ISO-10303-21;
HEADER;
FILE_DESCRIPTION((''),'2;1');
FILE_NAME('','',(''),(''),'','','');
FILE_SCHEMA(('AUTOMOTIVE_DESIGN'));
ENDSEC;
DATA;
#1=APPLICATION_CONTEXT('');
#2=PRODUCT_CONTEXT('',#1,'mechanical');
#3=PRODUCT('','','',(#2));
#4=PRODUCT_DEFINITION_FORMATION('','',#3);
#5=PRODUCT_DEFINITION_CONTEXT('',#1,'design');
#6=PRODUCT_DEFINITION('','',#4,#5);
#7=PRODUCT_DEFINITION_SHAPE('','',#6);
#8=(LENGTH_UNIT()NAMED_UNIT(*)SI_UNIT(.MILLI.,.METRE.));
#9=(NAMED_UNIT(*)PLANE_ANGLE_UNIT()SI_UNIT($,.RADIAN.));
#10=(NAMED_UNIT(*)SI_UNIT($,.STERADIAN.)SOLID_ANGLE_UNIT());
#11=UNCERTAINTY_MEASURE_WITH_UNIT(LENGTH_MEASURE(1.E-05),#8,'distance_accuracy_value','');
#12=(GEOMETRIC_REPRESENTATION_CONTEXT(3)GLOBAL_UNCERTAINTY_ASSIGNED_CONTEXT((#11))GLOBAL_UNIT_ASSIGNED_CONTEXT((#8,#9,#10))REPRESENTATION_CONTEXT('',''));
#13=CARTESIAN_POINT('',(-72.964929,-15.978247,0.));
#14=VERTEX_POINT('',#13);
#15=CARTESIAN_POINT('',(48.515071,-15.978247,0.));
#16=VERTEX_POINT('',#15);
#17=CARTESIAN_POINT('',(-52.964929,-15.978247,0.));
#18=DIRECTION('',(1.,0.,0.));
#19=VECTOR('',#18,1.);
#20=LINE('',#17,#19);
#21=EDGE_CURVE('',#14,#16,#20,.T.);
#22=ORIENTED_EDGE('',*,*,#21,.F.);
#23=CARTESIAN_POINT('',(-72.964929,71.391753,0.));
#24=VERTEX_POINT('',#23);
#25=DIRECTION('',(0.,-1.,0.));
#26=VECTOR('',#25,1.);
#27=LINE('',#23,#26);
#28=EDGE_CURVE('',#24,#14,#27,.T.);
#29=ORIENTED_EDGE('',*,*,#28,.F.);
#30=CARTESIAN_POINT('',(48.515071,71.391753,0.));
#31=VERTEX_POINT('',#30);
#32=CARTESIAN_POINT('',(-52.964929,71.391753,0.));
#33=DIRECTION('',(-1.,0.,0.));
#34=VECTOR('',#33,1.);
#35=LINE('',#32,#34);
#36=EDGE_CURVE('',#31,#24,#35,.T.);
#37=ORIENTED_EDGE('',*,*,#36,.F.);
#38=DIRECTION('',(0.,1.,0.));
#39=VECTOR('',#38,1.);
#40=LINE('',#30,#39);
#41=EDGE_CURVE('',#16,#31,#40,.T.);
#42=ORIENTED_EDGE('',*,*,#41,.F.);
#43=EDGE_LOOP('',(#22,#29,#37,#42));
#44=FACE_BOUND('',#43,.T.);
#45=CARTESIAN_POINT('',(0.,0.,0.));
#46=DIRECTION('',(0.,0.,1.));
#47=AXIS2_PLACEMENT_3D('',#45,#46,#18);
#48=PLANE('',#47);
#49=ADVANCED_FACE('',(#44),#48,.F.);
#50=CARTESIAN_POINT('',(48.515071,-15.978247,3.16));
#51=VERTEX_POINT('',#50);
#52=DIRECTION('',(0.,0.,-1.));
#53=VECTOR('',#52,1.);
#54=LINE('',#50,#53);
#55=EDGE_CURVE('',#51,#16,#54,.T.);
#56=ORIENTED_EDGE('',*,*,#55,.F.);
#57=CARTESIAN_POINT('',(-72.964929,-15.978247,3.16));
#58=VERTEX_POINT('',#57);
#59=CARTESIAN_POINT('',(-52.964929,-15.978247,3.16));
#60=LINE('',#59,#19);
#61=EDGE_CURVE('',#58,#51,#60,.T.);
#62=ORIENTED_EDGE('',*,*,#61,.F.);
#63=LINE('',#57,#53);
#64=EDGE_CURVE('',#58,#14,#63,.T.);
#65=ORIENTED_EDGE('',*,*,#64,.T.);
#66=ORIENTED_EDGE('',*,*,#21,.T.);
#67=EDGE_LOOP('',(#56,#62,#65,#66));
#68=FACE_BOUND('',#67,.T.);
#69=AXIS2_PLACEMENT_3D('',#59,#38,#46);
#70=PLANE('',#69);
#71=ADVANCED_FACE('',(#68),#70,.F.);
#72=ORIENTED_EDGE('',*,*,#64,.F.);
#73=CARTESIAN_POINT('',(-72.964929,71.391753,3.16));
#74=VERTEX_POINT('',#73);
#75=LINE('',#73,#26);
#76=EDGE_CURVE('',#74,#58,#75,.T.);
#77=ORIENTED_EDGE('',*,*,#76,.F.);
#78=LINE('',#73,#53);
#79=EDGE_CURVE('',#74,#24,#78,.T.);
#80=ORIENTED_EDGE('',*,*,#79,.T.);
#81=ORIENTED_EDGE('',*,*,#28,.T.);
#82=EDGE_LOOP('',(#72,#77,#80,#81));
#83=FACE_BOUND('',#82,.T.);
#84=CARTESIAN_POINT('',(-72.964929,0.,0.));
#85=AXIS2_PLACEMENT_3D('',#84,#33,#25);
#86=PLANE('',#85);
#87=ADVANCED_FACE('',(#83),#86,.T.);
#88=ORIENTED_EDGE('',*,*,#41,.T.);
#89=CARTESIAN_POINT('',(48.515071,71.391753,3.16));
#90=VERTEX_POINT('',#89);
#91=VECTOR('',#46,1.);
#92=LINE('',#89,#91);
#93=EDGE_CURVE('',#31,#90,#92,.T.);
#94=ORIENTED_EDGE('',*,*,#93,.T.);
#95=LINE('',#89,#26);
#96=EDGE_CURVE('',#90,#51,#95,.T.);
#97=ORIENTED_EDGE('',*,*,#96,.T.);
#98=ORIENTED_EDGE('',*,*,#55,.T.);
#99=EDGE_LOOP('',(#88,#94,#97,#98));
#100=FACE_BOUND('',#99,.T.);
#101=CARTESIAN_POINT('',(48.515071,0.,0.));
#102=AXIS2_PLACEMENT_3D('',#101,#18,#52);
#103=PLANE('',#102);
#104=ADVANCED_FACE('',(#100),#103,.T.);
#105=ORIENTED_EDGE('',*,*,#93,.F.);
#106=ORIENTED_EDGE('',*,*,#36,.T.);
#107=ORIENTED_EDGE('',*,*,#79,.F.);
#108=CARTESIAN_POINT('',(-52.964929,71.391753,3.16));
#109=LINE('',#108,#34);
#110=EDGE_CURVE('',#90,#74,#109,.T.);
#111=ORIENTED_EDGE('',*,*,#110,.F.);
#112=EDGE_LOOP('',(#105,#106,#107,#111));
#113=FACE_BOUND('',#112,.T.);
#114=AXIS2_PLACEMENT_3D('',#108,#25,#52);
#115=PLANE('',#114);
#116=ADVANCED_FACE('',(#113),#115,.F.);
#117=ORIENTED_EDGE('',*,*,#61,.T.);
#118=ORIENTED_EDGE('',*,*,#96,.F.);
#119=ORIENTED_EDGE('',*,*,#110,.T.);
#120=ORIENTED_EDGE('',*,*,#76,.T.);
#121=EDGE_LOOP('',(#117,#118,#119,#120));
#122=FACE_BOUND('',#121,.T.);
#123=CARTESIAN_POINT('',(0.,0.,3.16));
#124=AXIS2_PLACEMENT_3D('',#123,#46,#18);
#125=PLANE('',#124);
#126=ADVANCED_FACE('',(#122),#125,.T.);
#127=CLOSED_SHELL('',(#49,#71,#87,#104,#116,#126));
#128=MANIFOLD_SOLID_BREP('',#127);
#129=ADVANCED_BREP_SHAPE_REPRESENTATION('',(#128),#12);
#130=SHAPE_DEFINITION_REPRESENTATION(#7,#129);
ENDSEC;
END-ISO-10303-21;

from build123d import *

# Parameters (mm, degrees)
SKETCH2_W           = 77.34
SKETCH2_H           = 87.37
BOSS_EXTRUDE1_DEPTH = 3.16
SKETCH_3_W          = 3.16
SKETCH_3_H          = 87.37
EXTRUDE_3_DEPTH     = 80
SKETCH_4_W          = 3.16
SKETCH_4_H          = 87.37
EXTRUDE_4_DEPTH     = 60
SKETCH_5_W          = 3.16
SKETCH_5_H          = 87.37
EXTRUDE_5_DEPTH     = 113
SKETCH_6_W          = 3.16
SKETCH_6_H          = 87.37
CUT_EXTRUDE_1_DEPTH = 17.86
SKETCH_8_R          = 12.75
CUT_EXTRUDE_2_DEPTH = 10
SKETCH_9_W          = 3.16
SKETCH_9_H          = 87.37
CUT_EXTRUDE_3_DEPTH = 171
SKETCH_10_W         = 3.16
SKETCH_10_H         = 87.37
CUT_EXTRUDE_4_DEPTH = 60
SKETCH_1_W          = 3.16
SKETCH_1_H          = 87.37
EXTRUDE_6_DEPTH     = 20
SKETCH_11_W         = 3.16
SKETCH_11_H         = 87.37
EXTRUDE_7_DEPTH     = 20


with BuildPart() as part:
    # Sketch2 → Boss-Extrude1 (new body)
    with BuildSketch(Plane.XY):
        with Locations((-14.294928595, 27.706753385)):
            Rectangle(SKETCH2_W, SKETCH2_H)
    extrude(amount=BOSS_EXTRUDE1_DEPTH)

    # 草图3 → 凸台-拉伸3 (add)
    with BuildSketch(Plane(origin=(24.375071405, 0, 0), x_dir=(0, 0, -1), z_dir=(1, 0, 0))):
        with Locations((-1.58, 27.706753385)):
            Rectangle(SKETCH_3_W, SKETCH_3_H)
    extrude(amount=EXTRUDE_3_DEPTH)

    # 草图4 → 凸台-拉伸4 (add)
    with BuildSketch(Plane.ZY.offset(52.964928595)):
        with Locations((1.58, 27.706753385)):
            Rectangle(SKETCH_4_W, SKETCH_4_H)
    extrude(amount=EXTRUDE_4_DEPTH)

    # 草图5 → 凸台-拉伸5 (add)
    with BuildSketch(Plane(origin=(104.375071405, 0, 0), x_dir=(0, 0, -1), z_dir=(1, 0, 0))):
        with Locations((-1.58, 27.706753385)):
            Rectangle(SKETCH_5_W, SKETCH_5_H)
    extrude(amount=EXTRUDE_5_DEPTH)

    # 草图6 → 切除-拉伸1 (cut)
    with BuildSketch(Plane(origin=(217.375071405, 0, 0), x_dir=(0, 0, -1), z_dir=(1, 0, 0))):
        with Locations((-1.58, 27.706753385)):
            Rectangle(SKETCH_6_W, SKETCH_6_H)
    extrude(amount=-CUT_EXTRUDE_1_DEPTH, mode=Mode.SUBTRACT)

    # 草图8 → 切除-拉伸2 (cut)
    with BuildSketch(Plane.XY.offset(3.16)):
        with Locations((175.79355983, 23.47529756)):
            Circle(SKETCH_8_R)
    extrude(amount=-CUT_EXTRUDE_2_DEPTH, mode=Mode.SUBTRACT)

    # 草图9 → 切除-拉伸3 (cut)
    with BuildSketch(Plane(origin=(199.515071405, 0, 0), x_dir=(0, 0, -1), z_dir=(1, 0, 0))):
        with Locations((-1.58, 27.706753385)):
            Rectangle(SKETCH_9_W, SKETCH_9_H)
    extrude(amount=-CUT_EXTRUDE_3_DEPTH, mode=Mode.SUBTRACT)

    # 草图10 → 切除-拉伸4 (cut)
    with BuildSketch(Plane.ZY.offset(112.964928595)):
        with Locations((1.58, 27.706753385)):
            Rectangle(SKETCH_10_W, SKETCH_10_H)
    extrude(amount=-CUT_EXTRUDE_4_DEPTH, mode=Mode.SUBTRACT)

    # 草图1 → 凸台-拉伸6 (add)
    with BuildSketch(Plane.ZY.offset(52.964928595)):
        with Locations((1.58, 27.706753385)):
            Rectangle(SKETCH_1_W, SKETCH_1_H)
    extrude(amount=EXTRUDE_6_DEPTH)

    # 草图11 → 凸台-拉伸7 (add)
    with BuildSketch(Plane(origin=(28.515071405, 0, 0), x_dir=(0, 0, -1), z_dir=(1, 0, 0))):
        with Locations((-1.58, 27.706753385)):
            Rectangle(SKETCH_11_W, SKETCH_11_H)
    extrude(amount=EXTRUDE_7_DEPTH)


solid = part.part
